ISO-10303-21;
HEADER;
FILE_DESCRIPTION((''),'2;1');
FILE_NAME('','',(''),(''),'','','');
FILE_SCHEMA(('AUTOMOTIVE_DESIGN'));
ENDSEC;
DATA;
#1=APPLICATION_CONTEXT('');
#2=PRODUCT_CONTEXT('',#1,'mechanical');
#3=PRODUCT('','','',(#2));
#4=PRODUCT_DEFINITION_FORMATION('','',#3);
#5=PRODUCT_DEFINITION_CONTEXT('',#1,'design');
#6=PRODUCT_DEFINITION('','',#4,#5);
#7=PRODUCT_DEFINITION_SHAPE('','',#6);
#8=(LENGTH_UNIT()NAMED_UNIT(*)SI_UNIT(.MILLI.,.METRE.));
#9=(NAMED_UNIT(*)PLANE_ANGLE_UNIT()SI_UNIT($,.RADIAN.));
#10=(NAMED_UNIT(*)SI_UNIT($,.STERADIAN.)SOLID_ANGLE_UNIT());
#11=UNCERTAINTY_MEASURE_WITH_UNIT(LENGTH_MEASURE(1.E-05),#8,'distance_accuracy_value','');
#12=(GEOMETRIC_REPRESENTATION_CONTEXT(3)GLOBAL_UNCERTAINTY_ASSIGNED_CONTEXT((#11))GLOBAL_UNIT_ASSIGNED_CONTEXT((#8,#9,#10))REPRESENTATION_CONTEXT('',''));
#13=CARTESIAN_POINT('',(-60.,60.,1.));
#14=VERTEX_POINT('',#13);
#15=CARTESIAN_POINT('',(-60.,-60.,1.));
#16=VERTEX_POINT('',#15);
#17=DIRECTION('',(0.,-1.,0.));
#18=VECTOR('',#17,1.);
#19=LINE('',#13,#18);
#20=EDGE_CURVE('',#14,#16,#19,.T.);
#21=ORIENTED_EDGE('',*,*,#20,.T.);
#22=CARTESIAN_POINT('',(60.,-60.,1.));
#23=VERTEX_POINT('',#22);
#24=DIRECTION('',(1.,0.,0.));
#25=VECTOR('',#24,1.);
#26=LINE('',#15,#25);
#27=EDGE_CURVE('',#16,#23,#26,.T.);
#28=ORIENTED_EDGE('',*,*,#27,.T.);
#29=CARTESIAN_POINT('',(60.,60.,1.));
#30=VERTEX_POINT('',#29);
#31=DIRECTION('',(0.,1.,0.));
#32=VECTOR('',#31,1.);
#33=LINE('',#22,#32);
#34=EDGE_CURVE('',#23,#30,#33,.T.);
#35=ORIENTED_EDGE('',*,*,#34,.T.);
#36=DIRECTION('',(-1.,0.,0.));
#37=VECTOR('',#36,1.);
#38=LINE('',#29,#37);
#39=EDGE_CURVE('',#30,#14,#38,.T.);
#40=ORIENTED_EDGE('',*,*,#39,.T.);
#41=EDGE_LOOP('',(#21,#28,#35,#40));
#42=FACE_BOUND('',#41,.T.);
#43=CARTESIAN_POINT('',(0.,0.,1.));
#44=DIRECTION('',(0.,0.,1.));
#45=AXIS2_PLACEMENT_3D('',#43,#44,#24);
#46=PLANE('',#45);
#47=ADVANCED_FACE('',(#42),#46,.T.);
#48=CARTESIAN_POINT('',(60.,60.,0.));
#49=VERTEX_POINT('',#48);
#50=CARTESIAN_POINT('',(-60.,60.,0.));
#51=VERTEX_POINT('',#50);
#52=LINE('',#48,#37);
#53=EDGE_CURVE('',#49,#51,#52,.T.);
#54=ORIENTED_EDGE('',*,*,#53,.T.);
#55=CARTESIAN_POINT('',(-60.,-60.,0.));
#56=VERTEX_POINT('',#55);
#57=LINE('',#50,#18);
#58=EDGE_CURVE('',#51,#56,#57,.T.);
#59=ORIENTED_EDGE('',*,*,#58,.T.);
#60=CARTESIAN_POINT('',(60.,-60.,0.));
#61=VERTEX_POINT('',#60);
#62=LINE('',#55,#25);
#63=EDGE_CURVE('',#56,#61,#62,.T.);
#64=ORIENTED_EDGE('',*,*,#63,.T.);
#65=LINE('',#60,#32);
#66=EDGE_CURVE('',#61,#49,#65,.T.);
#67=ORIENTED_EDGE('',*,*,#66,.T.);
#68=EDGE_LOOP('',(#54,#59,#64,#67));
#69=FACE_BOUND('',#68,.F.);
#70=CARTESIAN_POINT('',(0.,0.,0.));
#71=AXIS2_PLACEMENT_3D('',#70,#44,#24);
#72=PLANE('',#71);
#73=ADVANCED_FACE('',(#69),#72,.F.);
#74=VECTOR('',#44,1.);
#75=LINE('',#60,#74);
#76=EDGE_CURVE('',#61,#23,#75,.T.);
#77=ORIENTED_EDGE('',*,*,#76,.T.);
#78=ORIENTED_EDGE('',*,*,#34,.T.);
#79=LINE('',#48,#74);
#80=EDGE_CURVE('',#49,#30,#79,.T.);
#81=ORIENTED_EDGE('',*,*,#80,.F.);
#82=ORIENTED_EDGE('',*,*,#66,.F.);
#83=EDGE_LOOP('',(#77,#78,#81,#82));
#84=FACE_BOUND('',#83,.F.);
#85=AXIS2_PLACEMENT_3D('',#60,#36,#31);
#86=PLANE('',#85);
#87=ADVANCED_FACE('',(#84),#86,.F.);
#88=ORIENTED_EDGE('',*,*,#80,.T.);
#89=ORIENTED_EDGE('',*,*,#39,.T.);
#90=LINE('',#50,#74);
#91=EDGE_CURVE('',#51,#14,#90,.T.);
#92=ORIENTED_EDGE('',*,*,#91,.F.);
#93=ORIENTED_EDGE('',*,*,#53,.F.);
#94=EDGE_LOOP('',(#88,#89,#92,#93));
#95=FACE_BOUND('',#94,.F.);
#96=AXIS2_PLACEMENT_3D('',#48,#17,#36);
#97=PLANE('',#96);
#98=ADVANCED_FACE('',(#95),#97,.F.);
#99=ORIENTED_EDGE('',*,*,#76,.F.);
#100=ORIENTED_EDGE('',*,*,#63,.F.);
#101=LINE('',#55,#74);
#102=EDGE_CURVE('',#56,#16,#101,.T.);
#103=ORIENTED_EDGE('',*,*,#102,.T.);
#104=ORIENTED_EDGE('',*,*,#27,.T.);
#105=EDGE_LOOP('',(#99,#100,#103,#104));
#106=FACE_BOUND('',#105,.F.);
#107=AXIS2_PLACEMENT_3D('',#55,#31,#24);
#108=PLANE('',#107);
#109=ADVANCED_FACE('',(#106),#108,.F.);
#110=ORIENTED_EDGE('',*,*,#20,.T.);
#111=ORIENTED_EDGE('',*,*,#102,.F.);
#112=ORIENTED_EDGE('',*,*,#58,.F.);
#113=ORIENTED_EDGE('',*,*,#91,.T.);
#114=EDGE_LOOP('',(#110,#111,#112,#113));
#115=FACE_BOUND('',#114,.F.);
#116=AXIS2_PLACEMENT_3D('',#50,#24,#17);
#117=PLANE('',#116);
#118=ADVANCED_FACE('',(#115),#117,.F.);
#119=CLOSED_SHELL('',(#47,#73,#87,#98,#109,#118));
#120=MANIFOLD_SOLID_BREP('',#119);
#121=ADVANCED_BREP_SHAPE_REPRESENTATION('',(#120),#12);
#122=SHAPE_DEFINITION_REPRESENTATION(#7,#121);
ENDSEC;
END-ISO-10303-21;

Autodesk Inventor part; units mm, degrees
ref_plane "YZ Plane" through (0, 0, 0) normal (1, 0, 0) x (0, 1, 0)
ref_plane "XZ Plane" through (0, 0, 0) normal (0, 1, 0) x (-1, 0, 0)
ref_plane "XY Plane" through (0, 0, 0) normal (0, 0, 1) x (1, 0, 0)
sketch "Sketch1" plane through (0, 0, 0) normal (0, 0, 1) x (1, 0, 0)
  line L0 (-60, -60) -> (60, -60)
  line L1 (60, -60) -> (60, 60)
  line L2 (60, 60) -> (-60, 60)
  line L3 (-60, 60) -> (-60, -60)
  line L4 (-60, -60) -> (60, 60) construction
  line L5 (60, -60) -> (-60, 60) construction
  point P0 (0, 0)
  dimension "d0" = 120
  dimension "d1" = 120
extrude "Extrusion1" add sketch "Sketch1" along normal blind 1
properties part number "polypropylene_sheet_120x120" material "Polypropylene"
